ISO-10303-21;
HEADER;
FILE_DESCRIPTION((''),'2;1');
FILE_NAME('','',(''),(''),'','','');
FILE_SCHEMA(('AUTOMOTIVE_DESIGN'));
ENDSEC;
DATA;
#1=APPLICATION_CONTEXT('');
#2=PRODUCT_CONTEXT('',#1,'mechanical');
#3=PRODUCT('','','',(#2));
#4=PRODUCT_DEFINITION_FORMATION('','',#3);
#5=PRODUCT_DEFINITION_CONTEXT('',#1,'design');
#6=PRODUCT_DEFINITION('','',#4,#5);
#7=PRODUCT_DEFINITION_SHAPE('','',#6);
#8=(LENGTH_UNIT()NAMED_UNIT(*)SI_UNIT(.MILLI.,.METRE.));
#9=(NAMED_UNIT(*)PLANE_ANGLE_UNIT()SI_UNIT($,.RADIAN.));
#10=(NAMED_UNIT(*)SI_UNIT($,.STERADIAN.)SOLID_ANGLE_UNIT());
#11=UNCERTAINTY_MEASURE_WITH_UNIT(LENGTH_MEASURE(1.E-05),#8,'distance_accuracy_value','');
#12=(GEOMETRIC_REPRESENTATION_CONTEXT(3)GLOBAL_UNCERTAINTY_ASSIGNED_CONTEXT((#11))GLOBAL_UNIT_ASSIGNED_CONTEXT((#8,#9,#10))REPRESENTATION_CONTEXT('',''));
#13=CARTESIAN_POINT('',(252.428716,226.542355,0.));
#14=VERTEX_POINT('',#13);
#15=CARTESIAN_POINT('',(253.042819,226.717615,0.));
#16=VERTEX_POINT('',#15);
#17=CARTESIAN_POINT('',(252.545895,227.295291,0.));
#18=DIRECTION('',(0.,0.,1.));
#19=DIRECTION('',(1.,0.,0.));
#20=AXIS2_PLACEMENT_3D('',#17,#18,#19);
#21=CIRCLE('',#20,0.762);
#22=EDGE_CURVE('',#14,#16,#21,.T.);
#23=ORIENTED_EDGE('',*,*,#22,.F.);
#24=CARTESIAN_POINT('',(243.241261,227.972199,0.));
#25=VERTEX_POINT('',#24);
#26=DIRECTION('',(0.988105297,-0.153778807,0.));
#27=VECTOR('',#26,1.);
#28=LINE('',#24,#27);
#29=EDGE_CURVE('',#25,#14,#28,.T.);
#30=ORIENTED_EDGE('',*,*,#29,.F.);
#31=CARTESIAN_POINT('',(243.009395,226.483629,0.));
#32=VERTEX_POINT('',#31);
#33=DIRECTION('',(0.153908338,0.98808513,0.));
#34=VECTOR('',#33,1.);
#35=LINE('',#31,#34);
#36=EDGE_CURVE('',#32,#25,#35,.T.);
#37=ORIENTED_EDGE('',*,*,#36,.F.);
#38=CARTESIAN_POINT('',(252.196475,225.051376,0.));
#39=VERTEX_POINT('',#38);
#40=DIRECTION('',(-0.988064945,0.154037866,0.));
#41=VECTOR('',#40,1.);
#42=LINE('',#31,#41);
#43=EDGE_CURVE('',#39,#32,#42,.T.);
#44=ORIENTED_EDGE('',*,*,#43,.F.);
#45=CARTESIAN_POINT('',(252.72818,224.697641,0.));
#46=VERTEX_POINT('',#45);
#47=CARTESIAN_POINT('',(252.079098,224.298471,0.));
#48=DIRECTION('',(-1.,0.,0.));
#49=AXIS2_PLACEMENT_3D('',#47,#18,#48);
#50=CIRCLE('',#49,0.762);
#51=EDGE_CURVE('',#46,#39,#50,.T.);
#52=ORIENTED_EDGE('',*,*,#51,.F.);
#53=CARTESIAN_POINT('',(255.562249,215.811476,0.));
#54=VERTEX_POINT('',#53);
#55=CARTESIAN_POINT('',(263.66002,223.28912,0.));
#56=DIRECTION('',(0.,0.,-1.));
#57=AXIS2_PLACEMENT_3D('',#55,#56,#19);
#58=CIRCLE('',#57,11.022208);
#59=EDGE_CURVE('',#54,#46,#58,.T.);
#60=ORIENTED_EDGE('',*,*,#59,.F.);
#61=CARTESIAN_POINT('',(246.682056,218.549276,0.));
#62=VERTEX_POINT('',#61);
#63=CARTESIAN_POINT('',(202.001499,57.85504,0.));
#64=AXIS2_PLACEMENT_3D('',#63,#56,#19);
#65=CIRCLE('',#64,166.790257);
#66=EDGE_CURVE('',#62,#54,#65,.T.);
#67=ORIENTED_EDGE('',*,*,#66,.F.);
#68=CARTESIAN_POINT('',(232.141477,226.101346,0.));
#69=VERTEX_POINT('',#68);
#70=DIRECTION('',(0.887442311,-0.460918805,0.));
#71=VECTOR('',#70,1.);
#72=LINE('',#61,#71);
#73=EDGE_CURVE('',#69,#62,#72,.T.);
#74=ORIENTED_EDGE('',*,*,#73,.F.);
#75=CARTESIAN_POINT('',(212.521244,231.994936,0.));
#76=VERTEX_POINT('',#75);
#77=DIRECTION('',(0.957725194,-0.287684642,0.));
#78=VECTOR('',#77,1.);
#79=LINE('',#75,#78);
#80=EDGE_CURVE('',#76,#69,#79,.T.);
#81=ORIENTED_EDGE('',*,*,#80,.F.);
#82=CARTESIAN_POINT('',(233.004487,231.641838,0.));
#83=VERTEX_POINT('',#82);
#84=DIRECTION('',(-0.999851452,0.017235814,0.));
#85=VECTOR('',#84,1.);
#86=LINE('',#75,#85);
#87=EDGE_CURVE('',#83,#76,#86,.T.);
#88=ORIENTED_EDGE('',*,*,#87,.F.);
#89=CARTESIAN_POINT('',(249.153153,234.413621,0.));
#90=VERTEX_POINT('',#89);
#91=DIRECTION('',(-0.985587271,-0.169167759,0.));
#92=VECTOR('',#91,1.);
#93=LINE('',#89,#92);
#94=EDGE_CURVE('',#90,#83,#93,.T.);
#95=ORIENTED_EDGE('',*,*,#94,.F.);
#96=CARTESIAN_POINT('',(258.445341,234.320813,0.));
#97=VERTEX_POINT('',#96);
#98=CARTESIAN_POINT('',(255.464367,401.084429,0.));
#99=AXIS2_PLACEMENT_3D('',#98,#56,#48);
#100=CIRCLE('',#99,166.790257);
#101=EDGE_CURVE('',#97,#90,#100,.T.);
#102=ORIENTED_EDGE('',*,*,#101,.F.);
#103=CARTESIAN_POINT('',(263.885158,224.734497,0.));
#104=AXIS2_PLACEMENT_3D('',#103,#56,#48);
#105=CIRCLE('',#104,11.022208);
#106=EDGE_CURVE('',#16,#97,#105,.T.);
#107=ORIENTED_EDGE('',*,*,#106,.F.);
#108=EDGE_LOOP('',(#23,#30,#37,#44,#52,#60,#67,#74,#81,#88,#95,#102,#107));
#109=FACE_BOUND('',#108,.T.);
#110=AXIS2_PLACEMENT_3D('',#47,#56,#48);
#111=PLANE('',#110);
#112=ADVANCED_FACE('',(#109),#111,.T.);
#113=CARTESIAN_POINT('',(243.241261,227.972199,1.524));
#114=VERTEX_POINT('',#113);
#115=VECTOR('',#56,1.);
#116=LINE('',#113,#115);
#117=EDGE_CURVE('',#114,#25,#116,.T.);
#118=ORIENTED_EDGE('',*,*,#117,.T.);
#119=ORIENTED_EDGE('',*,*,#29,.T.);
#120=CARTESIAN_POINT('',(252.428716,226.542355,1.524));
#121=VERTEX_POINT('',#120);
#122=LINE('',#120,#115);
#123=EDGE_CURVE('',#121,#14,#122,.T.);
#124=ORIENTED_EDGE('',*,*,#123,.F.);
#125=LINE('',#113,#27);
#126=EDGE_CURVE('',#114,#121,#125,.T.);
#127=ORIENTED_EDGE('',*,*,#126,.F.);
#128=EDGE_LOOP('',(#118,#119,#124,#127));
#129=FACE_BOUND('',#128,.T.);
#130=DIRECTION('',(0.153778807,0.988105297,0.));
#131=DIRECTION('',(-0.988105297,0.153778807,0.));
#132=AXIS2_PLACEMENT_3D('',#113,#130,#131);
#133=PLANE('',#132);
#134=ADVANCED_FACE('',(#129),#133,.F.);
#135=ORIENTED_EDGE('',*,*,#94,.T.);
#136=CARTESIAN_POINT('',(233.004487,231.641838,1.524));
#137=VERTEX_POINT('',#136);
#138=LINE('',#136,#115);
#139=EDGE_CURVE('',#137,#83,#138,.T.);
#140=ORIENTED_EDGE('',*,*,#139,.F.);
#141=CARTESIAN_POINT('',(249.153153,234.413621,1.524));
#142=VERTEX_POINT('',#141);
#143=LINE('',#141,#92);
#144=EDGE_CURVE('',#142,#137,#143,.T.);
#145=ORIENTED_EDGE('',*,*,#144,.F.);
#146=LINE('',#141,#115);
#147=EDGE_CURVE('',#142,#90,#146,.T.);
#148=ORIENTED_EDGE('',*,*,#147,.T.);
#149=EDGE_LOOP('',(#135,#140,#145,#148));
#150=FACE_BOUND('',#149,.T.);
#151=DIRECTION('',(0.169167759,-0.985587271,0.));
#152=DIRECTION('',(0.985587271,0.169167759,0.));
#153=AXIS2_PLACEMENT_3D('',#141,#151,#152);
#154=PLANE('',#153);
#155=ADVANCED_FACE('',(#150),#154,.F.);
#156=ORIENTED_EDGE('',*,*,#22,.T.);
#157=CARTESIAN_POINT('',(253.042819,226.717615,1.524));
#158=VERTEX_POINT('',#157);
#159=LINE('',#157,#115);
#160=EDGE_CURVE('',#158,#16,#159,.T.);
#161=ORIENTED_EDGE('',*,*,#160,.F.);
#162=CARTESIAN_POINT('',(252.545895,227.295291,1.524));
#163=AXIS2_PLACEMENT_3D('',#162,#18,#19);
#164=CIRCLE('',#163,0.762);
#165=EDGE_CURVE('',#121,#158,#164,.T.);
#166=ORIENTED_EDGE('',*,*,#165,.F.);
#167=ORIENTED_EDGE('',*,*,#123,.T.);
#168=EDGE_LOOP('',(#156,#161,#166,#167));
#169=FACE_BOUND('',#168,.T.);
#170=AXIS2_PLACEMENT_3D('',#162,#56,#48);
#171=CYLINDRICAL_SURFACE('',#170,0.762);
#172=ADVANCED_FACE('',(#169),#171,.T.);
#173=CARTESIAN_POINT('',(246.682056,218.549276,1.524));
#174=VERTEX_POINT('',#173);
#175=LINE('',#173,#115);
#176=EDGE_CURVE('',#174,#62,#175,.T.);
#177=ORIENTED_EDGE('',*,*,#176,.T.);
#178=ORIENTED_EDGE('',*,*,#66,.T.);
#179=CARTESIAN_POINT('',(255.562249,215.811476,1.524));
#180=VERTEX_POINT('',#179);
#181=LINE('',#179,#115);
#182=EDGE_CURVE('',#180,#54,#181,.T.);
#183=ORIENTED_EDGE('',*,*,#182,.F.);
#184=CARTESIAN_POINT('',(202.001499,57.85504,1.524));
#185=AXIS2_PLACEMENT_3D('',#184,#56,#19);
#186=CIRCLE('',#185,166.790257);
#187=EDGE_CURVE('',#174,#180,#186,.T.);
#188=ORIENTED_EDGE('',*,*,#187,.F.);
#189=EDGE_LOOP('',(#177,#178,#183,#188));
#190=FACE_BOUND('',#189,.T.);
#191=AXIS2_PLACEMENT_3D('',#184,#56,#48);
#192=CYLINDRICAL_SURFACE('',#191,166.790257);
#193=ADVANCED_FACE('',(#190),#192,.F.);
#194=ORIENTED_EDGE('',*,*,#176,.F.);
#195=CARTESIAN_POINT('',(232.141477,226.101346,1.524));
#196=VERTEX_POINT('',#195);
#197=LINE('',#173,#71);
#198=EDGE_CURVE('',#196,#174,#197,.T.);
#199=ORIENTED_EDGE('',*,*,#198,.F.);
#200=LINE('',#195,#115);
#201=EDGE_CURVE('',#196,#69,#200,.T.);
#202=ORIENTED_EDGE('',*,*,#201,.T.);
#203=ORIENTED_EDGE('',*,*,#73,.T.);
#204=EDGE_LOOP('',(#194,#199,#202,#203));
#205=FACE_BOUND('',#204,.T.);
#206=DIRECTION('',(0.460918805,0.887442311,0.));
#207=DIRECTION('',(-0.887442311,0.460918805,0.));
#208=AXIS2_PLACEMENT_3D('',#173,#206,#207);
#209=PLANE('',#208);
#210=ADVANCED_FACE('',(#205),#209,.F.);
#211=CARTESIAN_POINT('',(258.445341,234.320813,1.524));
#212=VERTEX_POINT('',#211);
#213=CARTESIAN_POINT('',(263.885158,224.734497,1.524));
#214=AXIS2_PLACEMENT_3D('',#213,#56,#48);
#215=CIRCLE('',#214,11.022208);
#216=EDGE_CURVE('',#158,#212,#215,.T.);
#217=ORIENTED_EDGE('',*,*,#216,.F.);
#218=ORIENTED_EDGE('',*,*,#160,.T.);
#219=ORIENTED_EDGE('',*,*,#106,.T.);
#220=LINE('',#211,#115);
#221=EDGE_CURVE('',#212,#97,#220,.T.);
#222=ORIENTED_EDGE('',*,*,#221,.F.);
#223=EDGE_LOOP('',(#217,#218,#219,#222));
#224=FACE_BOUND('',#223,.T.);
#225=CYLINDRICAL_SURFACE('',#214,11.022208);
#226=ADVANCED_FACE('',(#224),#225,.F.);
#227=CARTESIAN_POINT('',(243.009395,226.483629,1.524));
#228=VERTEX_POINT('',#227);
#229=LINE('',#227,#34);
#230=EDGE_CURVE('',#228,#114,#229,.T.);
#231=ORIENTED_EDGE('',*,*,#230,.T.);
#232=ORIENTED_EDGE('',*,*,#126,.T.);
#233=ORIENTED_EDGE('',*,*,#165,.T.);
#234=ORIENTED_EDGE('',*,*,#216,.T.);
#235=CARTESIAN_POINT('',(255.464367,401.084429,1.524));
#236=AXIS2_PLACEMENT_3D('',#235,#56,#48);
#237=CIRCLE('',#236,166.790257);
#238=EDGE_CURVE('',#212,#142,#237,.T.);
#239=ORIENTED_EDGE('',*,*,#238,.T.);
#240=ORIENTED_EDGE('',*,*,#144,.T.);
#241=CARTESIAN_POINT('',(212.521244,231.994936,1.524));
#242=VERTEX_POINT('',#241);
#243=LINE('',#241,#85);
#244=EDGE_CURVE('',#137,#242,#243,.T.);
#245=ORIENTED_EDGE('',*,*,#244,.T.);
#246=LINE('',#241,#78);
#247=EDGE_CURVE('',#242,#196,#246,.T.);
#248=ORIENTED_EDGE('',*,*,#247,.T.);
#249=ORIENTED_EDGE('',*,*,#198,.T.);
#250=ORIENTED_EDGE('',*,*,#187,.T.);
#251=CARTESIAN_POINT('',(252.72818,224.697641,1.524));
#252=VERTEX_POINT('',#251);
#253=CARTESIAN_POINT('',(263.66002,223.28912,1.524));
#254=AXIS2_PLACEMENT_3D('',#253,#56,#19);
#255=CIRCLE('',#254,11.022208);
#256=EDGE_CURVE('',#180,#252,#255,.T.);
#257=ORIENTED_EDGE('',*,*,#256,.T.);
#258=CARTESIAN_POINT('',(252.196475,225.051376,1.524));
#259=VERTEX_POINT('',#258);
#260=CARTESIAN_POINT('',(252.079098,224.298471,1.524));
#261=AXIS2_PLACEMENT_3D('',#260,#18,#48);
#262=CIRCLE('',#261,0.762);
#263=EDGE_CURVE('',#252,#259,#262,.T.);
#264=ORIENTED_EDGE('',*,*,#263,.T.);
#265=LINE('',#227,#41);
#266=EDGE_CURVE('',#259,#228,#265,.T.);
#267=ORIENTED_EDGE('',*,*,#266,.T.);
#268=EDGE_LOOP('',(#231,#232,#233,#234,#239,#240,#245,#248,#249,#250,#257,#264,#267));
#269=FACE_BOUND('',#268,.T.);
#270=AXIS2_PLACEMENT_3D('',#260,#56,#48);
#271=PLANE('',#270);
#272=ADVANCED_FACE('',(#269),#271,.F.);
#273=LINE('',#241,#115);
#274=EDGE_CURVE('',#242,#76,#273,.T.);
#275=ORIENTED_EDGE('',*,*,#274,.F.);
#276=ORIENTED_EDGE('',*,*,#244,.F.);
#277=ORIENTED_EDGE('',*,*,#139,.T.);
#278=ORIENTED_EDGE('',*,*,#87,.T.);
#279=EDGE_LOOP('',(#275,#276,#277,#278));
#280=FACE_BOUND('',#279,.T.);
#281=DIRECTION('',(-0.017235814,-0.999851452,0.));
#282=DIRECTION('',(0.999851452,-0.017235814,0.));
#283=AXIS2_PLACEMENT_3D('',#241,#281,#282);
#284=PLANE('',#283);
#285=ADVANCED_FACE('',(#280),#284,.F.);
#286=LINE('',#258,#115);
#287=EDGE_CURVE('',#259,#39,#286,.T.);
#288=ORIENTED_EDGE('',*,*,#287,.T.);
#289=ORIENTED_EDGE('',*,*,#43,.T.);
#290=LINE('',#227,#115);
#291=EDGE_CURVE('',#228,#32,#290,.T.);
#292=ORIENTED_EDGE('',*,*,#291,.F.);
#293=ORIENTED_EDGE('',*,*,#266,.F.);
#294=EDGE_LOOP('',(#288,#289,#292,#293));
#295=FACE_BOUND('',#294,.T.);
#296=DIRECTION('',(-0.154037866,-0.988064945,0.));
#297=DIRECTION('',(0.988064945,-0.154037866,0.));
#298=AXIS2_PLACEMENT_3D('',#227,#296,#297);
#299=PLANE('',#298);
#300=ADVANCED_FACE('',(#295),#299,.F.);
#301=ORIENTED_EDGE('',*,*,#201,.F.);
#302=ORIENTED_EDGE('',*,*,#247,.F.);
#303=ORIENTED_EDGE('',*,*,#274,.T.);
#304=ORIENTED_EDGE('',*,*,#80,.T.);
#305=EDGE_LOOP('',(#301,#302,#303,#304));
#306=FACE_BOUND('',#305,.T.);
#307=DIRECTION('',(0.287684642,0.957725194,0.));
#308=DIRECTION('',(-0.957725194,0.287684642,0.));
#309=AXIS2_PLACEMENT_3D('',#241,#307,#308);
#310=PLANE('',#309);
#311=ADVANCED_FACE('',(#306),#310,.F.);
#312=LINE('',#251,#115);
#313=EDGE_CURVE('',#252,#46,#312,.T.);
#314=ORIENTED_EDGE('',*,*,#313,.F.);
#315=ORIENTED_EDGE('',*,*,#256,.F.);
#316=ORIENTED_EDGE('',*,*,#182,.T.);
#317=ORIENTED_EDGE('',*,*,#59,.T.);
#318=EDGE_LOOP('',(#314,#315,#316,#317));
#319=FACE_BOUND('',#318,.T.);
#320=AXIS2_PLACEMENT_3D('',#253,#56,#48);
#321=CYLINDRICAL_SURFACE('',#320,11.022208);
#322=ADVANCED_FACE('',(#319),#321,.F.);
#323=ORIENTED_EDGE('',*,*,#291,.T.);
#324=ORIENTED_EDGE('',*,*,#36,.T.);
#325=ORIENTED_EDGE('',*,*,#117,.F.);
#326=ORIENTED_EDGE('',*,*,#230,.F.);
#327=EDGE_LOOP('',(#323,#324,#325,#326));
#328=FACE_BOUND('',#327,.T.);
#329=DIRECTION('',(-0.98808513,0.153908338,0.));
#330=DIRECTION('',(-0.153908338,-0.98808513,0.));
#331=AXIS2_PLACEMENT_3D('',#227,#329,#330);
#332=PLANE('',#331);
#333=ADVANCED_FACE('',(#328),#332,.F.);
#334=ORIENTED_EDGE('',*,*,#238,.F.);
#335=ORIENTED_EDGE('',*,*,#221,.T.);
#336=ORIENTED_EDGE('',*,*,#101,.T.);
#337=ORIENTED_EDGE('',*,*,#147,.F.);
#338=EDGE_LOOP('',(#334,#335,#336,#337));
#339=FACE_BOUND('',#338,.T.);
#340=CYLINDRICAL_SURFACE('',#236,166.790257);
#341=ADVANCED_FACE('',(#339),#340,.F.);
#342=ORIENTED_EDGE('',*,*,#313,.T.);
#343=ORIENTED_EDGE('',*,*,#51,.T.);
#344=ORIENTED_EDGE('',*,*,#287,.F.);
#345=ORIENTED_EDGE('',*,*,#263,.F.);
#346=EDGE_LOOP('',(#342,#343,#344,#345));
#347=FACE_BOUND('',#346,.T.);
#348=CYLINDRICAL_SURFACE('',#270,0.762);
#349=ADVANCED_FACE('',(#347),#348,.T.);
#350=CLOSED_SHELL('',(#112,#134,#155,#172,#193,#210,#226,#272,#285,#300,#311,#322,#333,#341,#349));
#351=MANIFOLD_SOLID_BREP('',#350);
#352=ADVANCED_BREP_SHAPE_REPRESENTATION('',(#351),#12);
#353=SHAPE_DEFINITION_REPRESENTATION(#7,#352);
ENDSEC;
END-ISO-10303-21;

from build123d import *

# Parameters (mm, degrees)
BOSS_EXTRUDE1_DEPTH = 1.524


with BuildPart() as part:
    # Sketch1 → Boss-Extrude1 (new body)
    with BuildSketch(Plane.XY):
        with BuildLine():
            Line((243.009394749, 226.483628693), (252.19647472, 225.051376489))
            ThreePointArc((252.19647472, 225.051376489), (252.501172451, 224.932897548), (252.728179767, 224.697640997))
            ThreePointArc((252.728179767, 224.697640997), (253.158948075, 219.940008266), (255.562248507, 215.811476133))
            ThreePointArc((255.562248507, 215.811476133), (251.141222731, 217.242232573), (246.682055702, 218.549275922))
            Line((246.682055702, 218.549275922), (232.141476548, 226.101345829))
            Line((232.141476548, 226.101345829), (212.521244057, 231.994935761))
            Line((212.521244057, 231.994935761), (233.004487141, 231.64183795))
            Line((233.004487141, 231.64183795), (249.153153432, 234.413620597))
            ThreePointArc((249.153153432, 234.413620597), (253.798600989, 234.302490495), (258.445341479, 234.320813134))
            ThreePointArc((258.445341479, 234.320813134), (254.900209484, 231.11883411), (253.042819444, 226.717614645))
            ThreePointArc((253.042819444, 226.717614645), (252.755013662, 226.562547569), (252.428715894, 226.542355168))
            Line((252.428715894, 226.542355168), (243.241260726, 227.972198625))
            Line((243.241260726, 227.972198625), (243.009394749, 226.483628693))
        make_face()
    extrude(amount=BOSS_EXTRUDE1_DEPTH)


solid = part.part
